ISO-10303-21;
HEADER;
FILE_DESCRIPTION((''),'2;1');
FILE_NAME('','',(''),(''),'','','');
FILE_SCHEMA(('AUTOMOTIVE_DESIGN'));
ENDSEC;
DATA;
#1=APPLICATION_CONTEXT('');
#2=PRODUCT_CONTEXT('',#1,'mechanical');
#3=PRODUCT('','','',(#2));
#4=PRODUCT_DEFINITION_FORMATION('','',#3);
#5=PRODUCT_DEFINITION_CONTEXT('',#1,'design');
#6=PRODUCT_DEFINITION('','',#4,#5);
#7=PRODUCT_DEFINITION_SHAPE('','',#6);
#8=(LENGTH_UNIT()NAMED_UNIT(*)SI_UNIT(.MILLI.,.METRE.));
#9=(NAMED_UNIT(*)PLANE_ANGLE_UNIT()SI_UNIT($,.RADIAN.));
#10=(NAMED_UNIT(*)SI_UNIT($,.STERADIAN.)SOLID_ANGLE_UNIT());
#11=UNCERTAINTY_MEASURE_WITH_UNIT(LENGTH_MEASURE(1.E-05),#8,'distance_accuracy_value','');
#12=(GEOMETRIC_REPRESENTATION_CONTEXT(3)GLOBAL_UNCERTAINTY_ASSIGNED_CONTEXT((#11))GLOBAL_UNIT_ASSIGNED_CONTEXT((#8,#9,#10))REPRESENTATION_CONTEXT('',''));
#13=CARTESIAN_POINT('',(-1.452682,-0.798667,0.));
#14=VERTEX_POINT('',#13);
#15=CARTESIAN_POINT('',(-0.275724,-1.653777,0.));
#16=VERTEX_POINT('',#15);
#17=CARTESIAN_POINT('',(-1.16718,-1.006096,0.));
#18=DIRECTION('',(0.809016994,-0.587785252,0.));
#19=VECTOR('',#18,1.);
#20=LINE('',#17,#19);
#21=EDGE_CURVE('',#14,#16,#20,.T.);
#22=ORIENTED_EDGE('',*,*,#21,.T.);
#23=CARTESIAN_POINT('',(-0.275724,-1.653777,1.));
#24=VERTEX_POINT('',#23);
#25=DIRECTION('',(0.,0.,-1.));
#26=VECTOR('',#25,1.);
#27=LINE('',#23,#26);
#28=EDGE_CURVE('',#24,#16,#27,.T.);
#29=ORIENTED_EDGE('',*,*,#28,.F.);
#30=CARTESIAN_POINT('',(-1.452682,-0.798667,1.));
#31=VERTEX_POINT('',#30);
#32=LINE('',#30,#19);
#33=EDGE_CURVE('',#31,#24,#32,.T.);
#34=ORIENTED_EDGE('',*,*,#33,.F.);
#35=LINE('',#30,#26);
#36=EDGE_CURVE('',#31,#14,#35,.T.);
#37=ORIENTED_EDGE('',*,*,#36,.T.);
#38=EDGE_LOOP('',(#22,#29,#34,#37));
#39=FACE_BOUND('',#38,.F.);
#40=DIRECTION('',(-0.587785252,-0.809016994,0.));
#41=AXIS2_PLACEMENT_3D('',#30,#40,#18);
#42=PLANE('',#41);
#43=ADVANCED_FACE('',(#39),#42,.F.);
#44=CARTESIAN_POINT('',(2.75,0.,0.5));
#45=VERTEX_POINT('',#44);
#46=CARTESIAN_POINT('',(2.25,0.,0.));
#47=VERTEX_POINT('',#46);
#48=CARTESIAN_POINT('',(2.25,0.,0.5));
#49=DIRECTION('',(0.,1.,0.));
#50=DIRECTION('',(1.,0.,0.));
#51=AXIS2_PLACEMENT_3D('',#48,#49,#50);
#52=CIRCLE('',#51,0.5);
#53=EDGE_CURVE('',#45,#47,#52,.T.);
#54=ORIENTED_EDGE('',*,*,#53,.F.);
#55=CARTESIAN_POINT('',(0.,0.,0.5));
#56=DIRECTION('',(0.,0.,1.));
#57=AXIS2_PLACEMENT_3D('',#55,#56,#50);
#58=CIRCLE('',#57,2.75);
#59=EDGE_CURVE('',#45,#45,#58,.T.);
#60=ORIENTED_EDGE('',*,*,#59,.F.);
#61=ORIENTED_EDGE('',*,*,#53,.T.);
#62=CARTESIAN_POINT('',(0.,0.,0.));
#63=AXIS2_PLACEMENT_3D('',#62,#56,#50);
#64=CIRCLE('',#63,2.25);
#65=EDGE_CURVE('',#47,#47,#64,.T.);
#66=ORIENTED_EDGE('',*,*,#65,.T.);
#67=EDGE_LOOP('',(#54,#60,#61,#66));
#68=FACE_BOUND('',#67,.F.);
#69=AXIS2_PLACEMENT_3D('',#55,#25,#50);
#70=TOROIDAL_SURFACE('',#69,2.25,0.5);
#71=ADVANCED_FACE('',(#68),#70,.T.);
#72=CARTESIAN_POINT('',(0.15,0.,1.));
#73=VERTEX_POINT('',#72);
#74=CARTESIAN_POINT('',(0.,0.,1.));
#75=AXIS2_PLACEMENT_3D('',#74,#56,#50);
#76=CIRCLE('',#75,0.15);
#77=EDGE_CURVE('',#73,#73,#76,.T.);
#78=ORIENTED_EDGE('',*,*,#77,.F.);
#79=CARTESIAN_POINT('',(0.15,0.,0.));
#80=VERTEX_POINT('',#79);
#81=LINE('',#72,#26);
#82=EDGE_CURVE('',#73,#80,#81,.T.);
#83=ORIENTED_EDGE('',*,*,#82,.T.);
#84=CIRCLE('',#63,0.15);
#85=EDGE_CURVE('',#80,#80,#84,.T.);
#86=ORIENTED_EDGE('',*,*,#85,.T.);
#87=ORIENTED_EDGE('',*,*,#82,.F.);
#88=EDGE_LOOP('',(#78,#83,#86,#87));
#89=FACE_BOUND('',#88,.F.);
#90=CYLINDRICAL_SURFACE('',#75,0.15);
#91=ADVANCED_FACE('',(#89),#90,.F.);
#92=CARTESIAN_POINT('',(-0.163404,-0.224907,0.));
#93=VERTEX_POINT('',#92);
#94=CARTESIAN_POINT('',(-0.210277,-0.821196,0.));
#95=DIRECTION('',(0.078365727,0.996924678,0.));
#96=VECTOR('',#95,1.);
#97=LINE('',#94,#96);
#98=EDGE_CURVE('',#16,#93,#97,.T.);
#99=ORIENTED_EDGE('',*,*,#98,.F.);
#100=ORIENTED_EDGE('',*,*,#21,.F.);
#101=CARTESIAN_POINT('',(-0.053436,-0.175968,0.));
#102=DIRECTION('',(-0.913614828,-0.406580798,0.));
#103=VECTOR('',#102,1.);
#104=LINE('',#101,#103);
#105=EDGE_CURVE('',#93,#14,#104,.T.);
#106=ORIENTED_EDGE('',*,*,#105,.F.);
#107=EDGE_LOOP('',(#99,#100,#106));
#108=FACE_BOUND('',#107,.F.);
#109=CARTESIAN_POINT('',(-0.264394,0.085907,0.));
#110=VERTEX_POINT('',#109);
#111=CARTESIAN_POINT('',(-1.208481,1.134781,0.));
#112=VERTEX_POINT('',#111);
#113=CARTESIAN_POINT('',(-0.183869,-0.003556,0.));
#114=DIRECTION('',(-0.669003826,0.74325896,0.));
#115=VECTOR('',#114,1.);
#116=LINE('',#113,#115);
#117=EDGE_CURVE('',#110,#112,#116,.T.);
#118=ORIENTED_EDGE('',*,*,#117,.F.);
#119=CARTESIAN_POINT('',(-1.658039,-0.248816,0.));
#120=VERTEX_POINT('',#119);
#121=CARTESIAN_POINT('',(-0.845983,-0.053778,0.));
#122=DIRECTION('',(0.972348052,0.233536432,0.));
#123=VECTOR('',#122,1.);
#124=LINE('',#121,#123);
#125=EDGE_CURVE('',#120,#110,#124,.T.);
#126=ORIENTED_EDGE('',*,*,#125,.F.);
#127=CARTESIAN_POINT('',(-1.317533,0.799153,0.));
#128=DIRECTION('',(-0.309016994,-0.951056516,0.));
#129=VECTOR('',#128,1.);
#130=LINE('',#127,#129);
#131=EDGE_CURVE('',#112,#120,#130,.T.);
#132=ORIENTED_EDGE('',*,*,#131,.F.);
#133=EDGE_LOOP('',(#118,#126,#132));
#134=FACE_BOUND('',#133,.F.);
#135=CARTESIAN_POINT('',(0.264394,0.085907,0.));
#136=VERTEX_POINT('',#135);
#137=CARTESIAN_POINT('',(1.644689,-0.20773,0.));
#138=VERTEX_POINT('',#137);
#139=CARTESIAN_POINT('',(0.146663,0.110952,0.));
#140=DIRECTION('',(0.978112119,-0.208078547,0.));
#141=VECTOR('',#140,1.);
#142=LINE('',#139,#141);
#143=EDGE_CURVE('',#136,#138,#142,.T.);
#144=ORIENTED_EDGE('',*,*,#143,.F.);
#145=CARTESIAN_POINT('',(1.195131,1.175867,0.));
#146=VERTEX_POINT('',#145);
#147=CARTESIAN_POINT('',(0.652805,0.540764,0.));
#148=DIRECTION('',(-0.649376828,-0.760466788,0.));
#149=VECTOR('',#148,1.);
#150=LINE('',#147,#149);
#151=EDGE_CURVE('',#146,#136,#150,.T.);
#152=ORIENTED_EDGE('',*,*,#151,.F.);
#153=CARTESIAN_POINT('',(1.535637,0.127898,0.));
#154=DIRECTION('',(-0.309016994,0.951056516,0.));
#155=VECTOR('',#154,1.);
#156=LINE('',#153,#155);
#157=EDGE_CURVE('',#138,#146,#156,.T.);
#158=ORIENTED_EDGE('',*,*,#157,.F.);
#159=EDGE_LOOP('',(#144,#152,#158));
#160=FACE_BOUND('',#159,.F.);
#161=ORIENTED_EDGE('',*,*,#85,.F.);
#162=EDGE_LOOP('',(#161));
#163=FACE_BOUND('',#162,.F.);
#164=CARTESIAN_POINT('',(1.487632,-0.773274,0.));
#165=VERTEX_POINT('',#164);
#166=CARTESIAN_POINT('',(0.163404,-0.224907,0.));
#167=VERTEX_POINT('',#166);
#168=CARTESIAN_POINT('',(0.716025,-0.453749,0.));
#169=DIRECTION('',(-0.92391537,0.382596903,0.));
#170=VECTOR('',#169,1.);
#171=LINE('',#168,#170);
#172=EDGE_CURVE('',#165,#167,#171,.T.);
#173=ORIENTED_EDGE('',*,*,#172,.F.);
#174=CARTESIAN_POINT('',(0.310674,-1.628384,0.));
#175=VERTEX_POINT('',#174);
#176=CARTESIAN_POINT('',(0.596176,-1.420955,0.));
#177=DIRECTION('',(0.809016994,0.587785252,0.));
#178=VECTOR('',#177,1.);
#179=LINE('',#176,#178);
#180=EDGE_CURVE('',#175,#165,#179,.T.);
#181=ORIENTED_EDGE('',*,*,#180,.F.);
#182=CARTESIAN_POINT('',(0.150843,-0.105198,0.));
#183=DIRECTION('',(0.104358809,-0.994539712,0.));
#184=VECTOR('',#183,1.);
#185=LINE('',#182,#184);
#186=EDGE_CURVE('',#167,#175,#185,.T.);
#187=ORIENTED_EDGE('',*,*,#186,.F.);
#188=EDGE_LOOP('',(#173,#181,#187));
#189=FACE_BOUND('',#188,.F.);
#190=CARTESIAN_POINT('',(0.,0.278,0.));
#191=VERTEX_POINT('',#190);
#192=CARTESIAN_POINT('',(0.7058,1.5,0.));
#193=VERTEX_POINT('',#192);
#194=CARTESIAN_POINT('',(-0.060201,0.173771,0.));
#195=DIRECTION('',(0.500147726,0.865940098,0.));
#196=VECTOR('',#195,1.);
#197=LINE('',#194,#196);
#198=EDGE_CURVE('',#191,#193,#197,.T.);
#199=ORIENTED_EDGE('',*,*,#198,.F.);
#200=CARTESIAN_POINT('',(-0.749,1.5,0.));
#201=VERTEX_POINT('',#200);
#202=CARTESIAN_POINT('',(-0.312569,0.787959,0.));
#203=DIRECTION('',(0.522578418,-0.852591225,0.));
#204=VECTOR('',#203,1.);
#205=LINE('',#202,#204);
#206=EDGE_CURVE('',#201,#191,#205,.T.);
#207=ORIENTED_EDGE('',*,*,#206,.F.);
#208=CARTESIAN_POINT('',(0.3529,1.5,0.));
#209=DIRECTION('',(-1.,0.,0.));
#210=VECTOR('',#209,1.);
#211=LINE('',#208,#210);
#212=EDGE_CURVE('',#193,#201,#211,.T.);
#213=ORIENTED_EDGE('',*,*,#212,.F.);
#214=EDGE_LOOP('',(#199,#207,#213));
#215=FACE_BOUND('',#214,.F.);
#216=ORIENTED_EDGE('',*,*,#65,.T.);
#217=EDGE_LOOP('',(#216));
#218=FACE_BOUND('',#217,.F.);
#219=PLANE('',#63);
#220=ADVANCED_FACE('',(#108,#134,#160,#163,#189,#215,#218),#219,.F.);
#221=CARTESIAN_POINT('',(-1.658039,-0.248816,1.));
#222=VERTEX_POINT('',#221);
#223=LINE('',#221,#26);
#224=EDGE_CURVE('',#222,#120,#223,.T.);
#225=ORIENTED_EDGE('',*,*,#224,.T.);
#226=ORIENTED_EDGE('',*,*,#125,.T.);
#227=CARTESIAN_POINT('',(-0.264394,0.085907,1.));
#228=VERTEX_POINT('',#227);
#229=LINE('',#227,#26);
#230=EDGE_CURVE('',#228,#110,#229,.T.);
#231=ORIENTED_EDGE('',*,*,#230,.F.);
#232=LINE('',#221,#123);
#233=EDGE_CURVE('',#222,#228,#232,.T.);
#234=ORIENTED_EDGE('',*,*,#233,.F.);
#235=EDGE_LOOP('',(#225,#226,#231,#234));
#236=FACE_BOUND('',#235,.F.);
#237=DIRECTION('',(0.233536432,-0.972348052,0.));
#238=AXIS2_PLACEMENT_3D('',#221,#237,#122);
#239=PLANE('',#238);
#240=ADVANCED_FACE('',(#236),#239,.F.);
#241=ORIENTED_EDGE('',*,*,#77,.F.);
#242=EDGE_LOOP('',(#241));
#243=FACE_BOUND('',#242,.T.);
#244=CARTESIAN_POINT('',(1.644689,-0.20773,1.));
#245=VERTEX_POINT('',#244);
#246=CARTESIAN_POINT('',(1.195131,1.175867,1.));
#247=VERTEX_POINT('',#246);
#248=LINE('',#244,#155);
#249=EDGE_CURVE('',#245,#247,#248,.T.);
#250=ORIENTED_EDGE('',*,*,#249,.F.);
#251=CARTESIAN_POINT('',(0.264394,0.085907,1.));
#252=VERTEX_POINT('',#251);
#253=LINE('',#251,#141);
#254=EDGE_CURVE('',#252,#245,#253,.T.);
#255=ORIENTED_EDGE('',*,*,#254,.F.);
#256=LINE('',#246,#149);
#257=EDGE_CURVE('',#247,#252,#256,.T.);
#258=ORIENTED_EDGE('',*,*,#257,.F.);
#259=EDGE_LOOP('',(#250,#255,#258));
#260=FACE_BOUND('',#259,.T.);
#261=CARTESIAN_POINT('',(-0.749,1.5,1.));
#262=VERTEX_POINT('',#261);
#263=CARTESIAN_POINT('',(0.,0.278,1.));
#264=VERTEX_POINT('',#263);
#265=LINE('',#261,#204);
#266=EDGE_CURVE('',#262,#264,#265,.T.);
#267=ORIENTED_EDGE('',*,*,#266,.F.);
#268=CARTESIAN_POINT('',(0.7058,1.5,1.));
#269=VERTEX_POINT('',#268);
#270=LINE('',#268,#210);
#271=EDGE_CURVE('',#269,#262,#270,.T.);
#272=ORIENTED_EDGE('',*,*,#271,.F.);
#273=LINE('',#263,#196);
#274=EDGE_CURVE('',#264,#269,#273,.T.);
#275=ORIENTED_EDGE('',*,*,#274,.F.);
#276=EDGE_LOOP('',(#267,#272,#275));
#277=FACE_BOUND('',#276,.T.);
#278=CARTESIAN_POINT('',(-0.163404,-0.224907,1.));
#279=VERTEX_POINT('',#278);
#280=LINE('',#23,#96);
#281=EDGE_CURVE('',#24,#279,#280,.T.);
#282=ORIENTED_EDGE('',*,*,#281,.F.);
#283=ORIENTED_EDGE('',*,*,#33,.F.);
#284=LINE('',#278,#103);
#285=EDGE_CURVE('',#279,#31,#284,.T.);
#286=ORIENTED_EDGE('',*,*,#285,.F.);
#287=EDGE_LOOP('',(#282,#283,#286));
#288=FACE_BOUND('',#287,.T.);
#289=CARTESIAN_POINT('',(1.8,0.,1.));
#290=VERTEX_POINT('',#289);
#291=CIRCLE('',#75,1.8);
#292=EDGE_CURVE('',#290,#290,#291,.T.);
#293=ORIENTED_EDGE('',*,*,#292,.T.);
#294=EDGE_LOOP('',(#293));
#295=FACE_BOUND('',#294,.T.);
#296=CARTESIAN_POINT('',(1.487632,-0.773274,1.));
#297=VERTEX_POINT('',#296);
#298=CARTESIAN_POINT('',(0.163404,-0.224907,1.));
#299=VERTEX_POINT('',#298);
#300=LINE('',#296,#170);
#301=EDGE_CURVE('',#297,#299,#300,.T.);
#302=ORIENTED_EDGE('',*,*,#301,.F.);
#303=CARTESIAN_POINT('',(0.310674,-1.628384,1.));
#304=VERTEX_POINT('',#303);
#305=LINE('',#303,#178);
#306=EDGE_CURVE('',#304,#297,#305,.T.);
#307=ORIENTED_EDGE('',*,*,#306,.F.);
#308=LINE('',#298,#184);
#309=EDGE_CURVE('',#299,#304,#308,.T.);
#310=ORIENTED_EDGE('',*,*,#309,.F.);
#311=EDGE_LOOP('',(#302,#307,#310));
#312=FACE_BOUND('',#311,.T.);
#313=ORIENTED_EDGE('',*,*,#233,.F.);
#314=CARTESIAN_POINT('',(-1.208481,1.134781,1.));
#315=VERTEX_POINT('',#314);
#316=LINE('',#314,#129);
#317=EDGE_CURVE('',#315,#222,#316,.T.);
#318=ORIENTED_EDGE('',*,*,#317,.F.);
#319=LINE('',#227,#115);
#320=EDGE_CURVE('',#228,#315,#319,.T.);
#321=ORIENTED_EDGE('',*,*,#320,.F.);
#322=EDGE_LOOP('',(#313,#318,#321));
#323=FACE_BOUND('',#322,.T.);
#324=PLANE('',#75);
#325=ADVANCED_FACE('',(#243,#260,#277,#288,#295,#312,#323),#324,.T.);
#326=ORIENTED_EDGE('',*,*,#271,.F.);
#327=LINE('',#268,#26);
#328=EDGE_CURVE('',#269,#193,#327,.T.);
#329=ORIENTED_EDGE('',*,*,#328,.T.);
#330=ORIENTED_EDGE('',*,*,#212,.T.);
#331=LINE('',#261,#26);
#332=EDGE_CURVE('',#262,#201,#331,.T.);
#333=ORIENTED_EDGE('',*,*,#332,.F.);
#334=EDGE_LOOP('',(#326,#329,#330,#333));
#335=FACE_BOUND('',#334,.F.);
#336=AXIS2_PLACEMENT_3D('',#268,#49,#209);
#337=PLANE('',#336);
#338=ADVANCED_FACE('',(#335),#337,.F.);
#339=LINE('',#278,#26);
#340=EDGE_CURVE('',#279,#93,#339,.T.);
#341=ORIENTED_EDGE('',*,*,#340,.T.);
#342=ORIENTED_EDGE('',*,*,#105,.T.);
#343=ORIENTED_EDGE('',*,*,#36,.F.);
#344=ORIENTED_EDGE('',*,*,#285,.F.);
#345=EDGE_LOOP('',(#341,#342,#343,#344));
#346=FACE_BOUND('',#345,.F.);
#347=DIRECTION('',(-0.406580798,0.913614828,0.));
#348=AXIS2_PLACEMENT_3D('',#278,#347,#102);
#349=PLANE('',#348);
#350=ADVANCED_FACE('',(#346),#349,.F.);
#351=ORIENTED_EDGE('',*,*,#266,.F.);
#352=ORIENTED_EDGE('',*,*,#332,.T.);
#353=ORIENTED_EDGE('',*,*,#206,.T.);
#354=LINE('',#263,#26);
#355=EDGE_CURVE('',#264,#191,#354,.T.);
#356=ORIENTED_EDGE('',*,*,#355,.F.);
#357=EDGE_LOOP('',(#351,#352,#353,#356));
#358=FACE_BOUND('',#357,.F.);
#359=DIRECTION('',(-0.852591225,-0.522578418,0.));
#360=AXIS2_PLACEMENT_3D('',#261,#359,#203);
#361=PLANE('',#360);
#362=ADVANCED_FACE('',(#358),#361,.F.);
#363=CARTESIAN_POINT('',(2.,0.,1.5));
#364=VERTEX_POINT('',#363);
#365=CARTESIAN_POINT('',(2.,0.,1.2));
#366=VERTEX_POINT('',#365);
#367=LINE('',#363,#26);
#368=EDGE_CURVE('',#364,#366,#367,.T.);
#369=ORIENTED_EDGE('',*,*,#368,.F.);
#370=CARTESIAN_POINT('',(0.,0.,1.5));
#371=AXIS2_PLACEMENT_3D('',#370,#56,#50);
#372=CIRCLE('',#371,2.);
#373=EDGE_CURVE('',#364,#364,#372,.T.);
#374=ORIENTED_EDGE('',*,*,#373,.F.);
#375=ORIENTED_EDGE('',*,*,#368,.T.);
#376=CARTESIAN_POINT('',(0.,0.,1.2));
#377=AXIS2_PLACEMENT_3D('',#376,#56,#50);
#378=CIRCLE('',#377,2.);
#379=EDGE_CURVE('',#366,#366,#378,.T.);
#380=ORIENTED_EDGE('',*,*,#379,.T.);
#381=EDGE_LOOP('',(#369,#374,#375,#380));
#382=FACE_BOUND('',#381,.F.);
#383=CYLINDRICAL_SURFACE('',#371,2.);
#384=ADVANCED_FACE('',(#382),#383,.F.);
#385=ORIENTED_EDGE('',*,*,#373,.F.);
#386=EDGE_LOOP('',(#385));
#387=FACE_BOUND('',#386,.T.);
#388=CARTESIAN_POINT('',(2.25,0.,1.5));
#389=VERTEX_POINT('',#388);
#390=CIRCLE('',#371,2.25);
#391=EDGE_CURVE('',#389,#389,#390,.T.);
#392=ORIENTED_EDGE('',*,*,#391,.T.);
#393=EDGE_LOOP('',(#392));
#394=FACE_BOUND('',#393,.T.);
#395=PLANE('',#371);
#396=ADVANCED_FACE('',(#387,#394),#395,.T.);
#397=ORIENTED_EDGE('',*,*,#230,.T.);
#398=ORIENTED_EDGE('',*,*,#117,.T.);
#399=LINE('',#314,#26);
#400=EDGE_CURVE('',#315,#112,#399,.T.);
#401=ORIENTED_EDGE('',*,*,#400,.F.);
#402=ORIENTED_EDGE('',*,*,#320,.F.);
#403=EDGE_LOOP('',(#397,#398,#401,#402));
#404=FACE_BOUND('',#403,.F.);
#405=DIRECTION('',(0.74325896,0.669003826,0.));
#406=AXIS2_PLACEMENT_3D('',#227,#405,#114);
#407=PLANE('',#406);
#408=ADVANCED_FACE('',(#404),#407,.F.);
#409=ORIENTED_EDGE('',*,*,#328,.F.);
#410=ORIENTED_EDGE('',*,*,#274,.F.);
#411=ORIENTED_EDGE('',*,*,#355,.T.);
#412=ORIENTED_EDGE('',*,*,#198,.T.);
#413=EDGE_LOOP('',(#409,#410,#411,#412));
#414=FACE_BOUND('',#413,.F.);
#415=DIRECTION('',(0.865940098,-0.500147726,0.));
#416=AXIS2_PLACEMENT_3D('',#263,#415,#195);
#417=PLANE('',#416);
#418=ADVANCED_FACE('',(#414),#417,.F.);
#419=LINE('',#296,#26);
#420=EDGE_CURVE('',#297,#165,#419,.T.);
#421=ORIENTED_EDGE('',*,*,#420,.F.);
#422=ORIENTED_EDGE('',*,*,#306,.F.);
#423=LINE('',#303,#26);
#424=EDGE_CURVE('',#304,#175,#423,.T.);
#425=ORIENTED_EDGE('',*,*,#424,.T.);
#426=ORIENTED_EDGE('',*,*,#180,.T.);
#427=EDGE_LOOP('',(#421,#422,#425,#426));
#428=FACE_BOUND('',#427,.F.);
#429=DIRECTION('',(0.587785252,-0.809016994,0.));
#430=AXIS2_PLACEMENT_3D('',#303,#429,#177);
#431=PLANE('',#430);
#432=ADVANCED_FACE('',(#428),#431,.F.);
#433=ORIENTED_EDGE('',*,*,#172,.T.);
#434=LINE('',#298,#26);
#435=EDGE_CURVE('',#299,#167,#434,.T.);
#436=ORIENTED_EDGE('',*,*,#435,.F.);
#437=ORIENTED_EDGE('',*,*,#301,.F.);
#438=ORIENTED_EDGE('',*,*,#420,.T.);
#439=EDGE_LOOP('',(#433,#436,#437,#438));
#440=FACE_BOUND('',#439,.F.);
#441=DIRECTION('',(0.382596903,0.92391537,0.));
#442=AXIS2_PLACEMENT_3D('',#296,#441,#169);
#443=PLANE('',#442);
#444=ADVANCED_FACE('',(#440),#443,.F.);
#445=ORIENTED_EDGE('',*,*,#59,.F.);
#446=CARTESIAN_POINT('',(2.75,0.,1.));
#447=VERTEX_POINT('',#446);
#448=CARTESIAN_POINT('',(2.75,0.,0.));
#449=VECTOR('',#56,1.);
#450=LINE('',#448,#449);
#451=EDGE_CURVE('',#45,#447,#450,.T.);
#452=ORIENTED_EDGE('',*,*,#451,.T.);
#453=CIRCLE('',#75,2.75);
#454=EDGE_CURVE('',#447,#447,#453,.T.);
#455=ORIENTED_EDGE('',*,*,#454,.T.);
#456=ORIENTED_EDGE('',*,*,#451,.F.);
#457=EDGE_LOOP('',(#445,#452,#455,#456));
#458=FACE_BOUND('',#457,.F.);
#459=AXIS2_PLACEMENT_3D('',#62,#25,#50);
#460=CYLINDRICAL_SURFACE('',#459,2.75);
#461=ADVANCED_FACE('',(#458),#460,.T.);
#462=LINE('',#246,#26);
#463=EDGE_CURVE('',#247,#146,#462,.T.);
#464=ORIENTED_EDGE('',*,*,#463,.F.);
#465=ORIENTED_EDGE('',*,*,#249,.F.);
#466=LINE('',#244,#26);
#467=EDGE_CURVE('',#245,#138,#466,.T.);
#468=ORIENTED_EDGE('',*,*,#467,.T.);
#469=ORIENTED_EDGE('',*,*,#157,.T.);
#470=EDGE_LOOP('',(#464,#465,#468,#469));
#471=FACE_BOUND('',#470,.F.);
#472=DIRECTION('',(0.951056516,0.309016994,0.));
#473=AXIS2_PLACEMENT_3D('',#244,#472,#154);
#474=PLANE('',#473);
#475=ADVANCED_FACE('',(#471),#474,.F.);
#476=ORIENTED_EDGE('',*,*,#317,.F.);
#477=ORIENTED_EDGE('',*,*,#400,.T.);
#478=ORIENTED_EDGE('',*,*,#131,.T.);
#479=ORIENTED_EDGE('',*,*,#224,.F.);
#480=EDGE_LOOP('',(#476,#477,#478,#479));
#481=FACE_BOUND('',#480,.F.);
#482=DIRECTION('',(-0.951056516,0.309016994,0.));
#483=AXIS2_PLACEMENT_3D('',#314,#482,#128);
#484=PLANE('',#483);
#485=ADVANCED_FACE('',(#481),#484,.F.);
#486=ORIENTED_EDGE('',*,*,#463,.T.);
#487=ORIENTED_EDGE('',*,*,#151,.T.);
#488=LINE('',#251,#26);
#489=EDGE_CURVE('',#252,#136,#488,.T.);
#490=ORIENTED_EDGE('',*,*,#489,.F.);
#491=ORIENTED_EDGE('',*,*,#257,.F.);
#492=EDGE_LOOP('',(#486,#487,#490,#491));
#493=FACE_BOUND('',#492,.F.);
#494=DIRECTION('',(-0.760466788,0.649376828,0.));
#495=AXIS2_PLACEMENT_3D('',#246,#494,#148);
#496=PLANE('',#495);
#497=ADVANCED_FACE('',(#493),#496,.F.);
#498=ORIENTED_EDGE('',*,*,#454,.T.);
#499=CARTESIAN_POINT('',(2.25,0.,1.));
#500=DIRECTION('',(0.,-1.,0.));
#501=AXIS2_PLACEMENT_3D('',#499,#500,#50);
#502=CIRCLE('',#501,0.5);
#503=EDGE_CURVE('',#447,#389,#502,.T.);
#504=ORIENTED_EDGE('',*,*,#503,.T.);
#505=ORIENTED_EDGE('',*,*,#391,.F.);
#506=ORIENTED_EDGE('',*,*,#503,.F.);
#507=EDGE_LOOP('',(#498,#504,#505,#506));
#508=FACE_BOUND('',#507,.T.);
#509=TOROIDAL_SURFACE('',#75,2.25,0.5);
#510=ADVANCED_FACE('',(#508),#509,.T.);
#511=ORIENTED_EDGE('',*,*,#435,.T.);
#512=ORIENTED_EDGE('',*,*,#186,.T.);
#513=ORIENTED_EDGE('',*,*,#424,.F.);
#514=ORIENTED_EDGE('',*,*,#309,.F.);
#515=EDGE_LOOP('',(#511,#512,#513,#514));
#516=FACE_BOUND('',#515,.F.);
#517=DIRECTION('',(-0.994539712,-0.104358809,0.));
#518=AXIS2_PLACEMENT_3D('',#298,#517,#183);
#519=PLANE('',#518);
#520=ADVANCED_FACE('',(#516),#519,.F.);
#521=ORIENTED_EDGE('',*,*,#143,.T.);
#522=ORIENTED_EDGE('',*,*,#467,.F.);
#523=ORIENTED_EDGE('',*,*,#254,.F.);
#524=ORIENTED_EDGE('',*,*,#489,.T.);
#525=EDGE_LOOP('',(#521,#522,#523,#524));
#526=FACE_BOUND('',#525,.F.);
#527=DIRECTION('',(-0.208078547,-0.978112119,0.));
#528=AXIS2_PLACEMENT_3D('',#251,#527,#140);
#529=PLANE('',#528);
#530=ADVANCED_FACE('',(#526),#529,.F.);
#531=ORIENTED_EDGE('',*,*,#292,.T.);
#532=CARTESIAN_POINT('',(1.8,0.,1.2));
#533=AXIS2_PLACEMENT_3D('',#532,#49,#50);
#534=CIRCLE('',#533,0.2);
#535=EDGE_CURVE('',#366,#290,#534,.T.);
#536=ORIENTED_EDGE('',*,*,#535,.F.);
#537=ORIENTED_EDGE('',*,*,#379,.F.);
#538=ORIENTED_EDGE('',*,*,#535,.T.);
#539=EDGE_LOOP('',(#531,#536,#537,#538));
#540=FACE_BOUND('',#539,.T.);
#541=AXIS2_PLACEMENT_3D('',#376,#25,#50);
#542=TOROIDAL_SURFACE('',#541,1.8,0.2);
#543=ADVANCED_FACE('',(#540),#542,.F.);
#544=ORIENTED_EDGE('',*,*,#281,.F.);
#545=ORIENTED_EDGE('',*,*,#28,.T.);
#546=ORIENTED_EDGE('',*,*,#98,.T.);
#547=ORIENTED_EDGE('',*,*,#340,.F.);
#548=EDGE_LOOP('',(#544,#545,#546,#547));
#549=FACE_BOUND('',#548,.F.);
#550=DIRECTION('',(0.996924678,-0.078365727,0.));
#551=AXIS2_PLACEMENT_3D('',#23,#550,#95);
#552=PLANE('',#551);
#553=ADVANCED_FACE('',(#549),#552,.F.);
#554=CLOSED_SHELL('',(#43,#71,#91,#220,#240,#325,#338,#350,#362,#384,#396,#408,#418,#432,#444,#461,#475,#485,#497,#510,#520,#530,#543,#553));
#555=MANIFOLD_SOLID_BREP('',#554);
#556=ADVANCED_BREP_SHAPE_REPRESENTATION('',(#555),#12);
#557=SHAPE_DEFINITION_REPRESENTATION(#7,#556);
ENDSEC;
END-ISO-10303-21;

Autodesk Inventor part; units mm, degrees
ref_plane "YZ Plane" through (0, 0, 0) normal (1, 0, 0) x (0, 1, 0)
ref_plane "XZ Plane" through (0, 0, 0) normal (0, 1, 0) x (-1, 0, 0)
ref_plane "XY Plane" through (0, 0, 0) normal (0, 0, 1) x (1, 0, 0)
sketch "Sketch1" plane through (0, 0, 0) normal (0, 0, 1) x (1, 0, 0)
  circle A0 centre (0, 0) radius 2.75
  circle A1 centre (0, 0) radius 2
  dimension "d0" = 5.5
  dimension "d1" = 4
extrude "Extrusion1" add sketch "Sketch1" along normal blind 1.5 contours A0 | A1
sketch "Sketch2" plane through (0, 0, 1.5) normal (0, 0, 1) x (1, 0, 0)
  circle A0 centre (0, 0) radius 2
  dimension "d4" = 4
extrude "Extrusion2" cut sketch "Sketch2" against normal blind 0.5
fillet "Fillet1" radius 0.5 2 edges at (-2.75, 0, 1.5) (-2.75, 0, 0)
fillet "Fillet2" radius 0.2 1 edges at (-2, 0, 1)
sketch "Sketch3" plane through (0, 0, 1) normal (0, 0, 1) x (1, 0, 0)
  point P0 (0, 0)
sketch "Sketch4" plane through (0, 0, 1) normal (0, 0, 1) x (1, 0, 0)
  line L0 (-0.749, 1.5) -> (0, 0.278)
  line L1 (0, 0.278) -> (0.7058, 1.5)
  line L2 (0.7058, 1.5) -> (-0.749, 1.5)
  circle A0 centre (0, 0) radius 2 projected
  dimension "d9" = 0.5
extrude "Extrusion3" cut sketch "Sketch4" against normal through all contours L2 L1 L0
pattern_circular "Circular Pattern1" count 5 over 360 about axis through (0, 0, 1.2) along (0, 0, -1) of "Extrusion3"
sketch "Sketch5" plane through (0, 0, 1) normal (0, 0, 1) x (1, 0, 0)
  circle A0 centre (0, 0) radius 0.15
  dimension "d15" = 0.3
extrude "Extrusion4" cut sketch "Sketch5" against normal through all
properties part number "Wheel 2" material "Rubber"
